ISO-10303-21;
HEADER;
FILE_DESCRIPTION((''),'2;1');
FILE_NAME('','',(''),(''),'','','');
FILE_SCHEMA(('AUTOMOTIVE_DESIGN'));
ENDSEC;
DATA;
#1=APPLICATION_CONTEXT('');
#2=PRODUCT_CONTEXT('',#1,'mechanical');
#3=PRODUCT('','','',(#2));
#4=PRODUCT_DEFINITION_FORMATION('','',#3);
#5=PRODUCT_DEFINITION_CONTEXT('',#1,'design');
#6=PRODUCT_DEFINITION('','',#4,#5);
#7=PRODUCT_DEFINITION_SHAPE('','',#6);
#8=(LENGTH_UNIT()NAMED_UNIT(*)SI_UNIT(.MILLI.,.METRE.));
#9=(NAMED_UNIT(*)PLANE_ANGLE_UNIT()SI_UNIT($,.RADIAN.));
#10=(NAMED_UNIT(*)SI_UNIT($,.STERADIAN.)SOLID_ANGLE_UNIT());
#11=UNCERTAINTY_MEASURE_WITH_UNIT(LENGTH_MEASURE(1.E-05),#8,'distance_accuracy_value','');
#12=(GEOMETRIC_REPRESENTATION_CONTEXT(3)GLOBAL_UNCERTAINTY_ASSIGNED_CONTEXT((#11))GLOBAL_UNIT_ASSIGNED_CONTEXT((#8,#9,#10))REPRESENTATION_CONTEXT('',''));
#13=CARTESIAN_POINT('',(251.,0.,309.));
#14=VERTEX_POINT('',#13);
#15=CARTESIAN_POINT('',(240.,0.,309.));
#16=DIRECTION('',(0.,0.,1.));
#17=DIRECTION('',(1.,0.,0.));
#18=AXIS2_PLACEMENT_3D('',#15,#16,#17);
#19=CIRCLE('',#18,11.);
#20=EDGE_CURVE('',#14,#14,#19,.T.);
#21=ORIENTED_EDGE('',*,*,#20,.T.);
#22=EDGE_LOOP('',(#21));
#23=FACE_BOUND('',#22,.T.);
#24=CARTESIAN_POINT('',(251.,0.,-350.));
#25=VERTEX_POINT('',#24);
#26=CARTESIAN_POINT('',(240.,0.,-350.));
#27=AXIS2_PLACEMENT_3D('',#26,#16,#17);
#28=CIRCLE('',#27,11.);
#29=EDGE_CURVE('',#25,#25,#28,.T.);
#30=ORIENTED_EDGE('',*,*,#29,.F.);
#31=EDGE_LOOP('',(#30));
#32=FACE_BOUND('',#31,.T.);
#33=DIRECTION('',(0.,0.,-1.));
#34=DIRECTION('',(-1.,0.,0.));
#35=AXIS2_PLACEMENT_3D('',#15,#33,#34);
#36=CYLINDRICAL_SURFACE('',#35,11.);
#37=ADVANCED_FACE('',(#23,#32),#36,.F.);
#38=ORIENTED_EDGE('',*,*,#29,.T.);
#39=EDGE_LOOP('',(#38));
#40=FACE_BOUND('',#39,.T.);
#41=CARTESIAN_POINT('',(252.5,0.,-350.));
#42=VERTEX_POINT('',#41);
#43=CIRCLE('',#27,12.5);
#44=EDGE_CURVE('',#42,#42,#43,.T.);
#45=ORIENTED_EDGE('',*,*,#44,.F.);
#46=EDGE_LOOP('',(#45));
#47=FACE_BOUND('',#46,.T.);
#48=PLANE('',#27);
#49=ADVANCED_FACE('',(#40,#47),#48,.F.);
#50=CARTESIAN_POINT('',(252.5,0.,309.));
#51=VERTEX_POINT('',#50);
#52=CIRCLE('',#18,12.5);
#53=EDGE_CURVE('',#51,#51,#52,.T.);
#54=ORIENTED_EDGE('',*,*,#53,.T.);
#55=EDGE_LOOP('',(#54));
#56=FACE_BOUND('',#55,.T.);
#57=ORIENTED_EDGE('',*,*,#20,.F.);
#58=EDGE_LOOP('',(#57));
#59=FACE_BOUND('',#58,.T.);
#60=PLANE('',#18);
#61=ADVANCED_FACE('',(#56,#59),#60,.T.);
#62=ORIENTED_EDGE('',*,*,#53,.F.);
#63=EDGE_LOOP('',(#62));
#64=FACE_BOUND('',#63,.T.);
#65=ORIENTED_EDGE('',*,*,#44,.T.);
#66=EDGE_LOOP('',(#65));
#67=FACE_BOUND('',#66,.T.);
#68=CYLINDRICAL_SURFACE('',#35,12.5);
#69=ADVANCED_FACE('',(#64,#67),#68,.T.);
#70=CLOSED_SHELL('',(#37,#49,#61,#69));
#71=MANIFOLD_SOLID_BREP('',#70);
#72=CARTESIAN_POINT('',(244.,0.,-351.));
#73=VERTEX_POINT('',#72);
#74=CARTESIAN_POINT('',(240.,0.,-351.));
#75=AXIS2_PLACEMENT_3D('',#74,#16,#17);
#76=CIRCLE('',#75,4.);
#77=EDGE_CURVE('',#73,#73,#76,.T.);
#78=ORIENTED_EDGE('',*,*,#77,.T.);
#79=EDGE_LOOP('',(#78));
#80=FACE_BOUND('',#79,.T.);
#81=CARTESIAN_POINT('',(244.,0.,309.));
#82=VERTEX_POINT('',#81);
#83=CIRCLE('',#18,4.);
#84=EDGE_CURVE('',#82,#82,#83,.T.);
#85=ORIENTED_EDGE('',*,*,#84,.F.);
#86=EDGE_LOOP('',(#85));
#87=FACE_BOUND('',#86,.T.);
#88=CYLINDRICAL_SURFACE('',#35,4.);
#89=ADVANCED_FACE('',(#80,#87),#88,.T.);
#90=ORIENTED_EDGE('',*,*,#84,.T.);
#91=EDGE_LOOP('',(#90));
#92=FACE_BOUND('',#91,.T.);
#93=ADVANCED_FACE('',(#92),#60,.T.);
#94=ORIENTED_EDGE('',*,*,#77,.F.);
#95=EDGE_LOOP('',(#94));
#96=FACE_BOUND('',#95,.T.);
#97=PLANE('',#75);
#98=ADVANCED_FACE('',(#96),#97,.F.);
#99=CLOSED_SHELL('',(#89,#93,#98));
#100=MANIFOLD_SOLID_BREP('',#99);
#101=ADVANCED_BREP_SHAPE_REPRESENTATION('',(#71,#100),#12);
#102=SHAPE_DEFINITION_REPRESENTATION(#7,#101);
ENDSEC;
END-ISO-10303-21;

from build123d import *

# Parameters (mm, degrees)
EXTRUDE_START        = -350
EXTRUDE_SKETCH_1_R   = 12.5
EXTRUDE_SKETCH_1_R_2 = 11
EXTRUDE_1_DEPTH      = 659
EXTRUDE_START_2      = -351
EXTRUDE_SKETCH_2_R   = 4
EXTRUDE_2_DEPTH      = 660


with BuildPart() as part:
    # Extrude sketch 1 → Extrude 1 (new body)
    with BuildSketch(Plane.XY.offset(EXTRUDE_START)):
        with Locations((240, 0)):
            Circle(EXTRUDE_SKETCH_1_R)
        with Locations((240, 0)):
            Circle(EXTRUDE_SKETCH_1_R_2, mode=Mode.SUBTRACT)
    extrude(amount=EXTRUDE_1_DEPTH)


with BuildPart() as body_2:
    # Extrude sketch 2 → Extrude 2 (new body)
    with BuildSketch(Plane.XY.offset(EXTRUDE_START_2)):
        with Locations((240, 0)):
            Circle(EXTRUDE_SKETCH_2_R)
    extrude(amount=EXTRUDE_2_DEPTH)


solid = Compound([part.part, body_2.part])
